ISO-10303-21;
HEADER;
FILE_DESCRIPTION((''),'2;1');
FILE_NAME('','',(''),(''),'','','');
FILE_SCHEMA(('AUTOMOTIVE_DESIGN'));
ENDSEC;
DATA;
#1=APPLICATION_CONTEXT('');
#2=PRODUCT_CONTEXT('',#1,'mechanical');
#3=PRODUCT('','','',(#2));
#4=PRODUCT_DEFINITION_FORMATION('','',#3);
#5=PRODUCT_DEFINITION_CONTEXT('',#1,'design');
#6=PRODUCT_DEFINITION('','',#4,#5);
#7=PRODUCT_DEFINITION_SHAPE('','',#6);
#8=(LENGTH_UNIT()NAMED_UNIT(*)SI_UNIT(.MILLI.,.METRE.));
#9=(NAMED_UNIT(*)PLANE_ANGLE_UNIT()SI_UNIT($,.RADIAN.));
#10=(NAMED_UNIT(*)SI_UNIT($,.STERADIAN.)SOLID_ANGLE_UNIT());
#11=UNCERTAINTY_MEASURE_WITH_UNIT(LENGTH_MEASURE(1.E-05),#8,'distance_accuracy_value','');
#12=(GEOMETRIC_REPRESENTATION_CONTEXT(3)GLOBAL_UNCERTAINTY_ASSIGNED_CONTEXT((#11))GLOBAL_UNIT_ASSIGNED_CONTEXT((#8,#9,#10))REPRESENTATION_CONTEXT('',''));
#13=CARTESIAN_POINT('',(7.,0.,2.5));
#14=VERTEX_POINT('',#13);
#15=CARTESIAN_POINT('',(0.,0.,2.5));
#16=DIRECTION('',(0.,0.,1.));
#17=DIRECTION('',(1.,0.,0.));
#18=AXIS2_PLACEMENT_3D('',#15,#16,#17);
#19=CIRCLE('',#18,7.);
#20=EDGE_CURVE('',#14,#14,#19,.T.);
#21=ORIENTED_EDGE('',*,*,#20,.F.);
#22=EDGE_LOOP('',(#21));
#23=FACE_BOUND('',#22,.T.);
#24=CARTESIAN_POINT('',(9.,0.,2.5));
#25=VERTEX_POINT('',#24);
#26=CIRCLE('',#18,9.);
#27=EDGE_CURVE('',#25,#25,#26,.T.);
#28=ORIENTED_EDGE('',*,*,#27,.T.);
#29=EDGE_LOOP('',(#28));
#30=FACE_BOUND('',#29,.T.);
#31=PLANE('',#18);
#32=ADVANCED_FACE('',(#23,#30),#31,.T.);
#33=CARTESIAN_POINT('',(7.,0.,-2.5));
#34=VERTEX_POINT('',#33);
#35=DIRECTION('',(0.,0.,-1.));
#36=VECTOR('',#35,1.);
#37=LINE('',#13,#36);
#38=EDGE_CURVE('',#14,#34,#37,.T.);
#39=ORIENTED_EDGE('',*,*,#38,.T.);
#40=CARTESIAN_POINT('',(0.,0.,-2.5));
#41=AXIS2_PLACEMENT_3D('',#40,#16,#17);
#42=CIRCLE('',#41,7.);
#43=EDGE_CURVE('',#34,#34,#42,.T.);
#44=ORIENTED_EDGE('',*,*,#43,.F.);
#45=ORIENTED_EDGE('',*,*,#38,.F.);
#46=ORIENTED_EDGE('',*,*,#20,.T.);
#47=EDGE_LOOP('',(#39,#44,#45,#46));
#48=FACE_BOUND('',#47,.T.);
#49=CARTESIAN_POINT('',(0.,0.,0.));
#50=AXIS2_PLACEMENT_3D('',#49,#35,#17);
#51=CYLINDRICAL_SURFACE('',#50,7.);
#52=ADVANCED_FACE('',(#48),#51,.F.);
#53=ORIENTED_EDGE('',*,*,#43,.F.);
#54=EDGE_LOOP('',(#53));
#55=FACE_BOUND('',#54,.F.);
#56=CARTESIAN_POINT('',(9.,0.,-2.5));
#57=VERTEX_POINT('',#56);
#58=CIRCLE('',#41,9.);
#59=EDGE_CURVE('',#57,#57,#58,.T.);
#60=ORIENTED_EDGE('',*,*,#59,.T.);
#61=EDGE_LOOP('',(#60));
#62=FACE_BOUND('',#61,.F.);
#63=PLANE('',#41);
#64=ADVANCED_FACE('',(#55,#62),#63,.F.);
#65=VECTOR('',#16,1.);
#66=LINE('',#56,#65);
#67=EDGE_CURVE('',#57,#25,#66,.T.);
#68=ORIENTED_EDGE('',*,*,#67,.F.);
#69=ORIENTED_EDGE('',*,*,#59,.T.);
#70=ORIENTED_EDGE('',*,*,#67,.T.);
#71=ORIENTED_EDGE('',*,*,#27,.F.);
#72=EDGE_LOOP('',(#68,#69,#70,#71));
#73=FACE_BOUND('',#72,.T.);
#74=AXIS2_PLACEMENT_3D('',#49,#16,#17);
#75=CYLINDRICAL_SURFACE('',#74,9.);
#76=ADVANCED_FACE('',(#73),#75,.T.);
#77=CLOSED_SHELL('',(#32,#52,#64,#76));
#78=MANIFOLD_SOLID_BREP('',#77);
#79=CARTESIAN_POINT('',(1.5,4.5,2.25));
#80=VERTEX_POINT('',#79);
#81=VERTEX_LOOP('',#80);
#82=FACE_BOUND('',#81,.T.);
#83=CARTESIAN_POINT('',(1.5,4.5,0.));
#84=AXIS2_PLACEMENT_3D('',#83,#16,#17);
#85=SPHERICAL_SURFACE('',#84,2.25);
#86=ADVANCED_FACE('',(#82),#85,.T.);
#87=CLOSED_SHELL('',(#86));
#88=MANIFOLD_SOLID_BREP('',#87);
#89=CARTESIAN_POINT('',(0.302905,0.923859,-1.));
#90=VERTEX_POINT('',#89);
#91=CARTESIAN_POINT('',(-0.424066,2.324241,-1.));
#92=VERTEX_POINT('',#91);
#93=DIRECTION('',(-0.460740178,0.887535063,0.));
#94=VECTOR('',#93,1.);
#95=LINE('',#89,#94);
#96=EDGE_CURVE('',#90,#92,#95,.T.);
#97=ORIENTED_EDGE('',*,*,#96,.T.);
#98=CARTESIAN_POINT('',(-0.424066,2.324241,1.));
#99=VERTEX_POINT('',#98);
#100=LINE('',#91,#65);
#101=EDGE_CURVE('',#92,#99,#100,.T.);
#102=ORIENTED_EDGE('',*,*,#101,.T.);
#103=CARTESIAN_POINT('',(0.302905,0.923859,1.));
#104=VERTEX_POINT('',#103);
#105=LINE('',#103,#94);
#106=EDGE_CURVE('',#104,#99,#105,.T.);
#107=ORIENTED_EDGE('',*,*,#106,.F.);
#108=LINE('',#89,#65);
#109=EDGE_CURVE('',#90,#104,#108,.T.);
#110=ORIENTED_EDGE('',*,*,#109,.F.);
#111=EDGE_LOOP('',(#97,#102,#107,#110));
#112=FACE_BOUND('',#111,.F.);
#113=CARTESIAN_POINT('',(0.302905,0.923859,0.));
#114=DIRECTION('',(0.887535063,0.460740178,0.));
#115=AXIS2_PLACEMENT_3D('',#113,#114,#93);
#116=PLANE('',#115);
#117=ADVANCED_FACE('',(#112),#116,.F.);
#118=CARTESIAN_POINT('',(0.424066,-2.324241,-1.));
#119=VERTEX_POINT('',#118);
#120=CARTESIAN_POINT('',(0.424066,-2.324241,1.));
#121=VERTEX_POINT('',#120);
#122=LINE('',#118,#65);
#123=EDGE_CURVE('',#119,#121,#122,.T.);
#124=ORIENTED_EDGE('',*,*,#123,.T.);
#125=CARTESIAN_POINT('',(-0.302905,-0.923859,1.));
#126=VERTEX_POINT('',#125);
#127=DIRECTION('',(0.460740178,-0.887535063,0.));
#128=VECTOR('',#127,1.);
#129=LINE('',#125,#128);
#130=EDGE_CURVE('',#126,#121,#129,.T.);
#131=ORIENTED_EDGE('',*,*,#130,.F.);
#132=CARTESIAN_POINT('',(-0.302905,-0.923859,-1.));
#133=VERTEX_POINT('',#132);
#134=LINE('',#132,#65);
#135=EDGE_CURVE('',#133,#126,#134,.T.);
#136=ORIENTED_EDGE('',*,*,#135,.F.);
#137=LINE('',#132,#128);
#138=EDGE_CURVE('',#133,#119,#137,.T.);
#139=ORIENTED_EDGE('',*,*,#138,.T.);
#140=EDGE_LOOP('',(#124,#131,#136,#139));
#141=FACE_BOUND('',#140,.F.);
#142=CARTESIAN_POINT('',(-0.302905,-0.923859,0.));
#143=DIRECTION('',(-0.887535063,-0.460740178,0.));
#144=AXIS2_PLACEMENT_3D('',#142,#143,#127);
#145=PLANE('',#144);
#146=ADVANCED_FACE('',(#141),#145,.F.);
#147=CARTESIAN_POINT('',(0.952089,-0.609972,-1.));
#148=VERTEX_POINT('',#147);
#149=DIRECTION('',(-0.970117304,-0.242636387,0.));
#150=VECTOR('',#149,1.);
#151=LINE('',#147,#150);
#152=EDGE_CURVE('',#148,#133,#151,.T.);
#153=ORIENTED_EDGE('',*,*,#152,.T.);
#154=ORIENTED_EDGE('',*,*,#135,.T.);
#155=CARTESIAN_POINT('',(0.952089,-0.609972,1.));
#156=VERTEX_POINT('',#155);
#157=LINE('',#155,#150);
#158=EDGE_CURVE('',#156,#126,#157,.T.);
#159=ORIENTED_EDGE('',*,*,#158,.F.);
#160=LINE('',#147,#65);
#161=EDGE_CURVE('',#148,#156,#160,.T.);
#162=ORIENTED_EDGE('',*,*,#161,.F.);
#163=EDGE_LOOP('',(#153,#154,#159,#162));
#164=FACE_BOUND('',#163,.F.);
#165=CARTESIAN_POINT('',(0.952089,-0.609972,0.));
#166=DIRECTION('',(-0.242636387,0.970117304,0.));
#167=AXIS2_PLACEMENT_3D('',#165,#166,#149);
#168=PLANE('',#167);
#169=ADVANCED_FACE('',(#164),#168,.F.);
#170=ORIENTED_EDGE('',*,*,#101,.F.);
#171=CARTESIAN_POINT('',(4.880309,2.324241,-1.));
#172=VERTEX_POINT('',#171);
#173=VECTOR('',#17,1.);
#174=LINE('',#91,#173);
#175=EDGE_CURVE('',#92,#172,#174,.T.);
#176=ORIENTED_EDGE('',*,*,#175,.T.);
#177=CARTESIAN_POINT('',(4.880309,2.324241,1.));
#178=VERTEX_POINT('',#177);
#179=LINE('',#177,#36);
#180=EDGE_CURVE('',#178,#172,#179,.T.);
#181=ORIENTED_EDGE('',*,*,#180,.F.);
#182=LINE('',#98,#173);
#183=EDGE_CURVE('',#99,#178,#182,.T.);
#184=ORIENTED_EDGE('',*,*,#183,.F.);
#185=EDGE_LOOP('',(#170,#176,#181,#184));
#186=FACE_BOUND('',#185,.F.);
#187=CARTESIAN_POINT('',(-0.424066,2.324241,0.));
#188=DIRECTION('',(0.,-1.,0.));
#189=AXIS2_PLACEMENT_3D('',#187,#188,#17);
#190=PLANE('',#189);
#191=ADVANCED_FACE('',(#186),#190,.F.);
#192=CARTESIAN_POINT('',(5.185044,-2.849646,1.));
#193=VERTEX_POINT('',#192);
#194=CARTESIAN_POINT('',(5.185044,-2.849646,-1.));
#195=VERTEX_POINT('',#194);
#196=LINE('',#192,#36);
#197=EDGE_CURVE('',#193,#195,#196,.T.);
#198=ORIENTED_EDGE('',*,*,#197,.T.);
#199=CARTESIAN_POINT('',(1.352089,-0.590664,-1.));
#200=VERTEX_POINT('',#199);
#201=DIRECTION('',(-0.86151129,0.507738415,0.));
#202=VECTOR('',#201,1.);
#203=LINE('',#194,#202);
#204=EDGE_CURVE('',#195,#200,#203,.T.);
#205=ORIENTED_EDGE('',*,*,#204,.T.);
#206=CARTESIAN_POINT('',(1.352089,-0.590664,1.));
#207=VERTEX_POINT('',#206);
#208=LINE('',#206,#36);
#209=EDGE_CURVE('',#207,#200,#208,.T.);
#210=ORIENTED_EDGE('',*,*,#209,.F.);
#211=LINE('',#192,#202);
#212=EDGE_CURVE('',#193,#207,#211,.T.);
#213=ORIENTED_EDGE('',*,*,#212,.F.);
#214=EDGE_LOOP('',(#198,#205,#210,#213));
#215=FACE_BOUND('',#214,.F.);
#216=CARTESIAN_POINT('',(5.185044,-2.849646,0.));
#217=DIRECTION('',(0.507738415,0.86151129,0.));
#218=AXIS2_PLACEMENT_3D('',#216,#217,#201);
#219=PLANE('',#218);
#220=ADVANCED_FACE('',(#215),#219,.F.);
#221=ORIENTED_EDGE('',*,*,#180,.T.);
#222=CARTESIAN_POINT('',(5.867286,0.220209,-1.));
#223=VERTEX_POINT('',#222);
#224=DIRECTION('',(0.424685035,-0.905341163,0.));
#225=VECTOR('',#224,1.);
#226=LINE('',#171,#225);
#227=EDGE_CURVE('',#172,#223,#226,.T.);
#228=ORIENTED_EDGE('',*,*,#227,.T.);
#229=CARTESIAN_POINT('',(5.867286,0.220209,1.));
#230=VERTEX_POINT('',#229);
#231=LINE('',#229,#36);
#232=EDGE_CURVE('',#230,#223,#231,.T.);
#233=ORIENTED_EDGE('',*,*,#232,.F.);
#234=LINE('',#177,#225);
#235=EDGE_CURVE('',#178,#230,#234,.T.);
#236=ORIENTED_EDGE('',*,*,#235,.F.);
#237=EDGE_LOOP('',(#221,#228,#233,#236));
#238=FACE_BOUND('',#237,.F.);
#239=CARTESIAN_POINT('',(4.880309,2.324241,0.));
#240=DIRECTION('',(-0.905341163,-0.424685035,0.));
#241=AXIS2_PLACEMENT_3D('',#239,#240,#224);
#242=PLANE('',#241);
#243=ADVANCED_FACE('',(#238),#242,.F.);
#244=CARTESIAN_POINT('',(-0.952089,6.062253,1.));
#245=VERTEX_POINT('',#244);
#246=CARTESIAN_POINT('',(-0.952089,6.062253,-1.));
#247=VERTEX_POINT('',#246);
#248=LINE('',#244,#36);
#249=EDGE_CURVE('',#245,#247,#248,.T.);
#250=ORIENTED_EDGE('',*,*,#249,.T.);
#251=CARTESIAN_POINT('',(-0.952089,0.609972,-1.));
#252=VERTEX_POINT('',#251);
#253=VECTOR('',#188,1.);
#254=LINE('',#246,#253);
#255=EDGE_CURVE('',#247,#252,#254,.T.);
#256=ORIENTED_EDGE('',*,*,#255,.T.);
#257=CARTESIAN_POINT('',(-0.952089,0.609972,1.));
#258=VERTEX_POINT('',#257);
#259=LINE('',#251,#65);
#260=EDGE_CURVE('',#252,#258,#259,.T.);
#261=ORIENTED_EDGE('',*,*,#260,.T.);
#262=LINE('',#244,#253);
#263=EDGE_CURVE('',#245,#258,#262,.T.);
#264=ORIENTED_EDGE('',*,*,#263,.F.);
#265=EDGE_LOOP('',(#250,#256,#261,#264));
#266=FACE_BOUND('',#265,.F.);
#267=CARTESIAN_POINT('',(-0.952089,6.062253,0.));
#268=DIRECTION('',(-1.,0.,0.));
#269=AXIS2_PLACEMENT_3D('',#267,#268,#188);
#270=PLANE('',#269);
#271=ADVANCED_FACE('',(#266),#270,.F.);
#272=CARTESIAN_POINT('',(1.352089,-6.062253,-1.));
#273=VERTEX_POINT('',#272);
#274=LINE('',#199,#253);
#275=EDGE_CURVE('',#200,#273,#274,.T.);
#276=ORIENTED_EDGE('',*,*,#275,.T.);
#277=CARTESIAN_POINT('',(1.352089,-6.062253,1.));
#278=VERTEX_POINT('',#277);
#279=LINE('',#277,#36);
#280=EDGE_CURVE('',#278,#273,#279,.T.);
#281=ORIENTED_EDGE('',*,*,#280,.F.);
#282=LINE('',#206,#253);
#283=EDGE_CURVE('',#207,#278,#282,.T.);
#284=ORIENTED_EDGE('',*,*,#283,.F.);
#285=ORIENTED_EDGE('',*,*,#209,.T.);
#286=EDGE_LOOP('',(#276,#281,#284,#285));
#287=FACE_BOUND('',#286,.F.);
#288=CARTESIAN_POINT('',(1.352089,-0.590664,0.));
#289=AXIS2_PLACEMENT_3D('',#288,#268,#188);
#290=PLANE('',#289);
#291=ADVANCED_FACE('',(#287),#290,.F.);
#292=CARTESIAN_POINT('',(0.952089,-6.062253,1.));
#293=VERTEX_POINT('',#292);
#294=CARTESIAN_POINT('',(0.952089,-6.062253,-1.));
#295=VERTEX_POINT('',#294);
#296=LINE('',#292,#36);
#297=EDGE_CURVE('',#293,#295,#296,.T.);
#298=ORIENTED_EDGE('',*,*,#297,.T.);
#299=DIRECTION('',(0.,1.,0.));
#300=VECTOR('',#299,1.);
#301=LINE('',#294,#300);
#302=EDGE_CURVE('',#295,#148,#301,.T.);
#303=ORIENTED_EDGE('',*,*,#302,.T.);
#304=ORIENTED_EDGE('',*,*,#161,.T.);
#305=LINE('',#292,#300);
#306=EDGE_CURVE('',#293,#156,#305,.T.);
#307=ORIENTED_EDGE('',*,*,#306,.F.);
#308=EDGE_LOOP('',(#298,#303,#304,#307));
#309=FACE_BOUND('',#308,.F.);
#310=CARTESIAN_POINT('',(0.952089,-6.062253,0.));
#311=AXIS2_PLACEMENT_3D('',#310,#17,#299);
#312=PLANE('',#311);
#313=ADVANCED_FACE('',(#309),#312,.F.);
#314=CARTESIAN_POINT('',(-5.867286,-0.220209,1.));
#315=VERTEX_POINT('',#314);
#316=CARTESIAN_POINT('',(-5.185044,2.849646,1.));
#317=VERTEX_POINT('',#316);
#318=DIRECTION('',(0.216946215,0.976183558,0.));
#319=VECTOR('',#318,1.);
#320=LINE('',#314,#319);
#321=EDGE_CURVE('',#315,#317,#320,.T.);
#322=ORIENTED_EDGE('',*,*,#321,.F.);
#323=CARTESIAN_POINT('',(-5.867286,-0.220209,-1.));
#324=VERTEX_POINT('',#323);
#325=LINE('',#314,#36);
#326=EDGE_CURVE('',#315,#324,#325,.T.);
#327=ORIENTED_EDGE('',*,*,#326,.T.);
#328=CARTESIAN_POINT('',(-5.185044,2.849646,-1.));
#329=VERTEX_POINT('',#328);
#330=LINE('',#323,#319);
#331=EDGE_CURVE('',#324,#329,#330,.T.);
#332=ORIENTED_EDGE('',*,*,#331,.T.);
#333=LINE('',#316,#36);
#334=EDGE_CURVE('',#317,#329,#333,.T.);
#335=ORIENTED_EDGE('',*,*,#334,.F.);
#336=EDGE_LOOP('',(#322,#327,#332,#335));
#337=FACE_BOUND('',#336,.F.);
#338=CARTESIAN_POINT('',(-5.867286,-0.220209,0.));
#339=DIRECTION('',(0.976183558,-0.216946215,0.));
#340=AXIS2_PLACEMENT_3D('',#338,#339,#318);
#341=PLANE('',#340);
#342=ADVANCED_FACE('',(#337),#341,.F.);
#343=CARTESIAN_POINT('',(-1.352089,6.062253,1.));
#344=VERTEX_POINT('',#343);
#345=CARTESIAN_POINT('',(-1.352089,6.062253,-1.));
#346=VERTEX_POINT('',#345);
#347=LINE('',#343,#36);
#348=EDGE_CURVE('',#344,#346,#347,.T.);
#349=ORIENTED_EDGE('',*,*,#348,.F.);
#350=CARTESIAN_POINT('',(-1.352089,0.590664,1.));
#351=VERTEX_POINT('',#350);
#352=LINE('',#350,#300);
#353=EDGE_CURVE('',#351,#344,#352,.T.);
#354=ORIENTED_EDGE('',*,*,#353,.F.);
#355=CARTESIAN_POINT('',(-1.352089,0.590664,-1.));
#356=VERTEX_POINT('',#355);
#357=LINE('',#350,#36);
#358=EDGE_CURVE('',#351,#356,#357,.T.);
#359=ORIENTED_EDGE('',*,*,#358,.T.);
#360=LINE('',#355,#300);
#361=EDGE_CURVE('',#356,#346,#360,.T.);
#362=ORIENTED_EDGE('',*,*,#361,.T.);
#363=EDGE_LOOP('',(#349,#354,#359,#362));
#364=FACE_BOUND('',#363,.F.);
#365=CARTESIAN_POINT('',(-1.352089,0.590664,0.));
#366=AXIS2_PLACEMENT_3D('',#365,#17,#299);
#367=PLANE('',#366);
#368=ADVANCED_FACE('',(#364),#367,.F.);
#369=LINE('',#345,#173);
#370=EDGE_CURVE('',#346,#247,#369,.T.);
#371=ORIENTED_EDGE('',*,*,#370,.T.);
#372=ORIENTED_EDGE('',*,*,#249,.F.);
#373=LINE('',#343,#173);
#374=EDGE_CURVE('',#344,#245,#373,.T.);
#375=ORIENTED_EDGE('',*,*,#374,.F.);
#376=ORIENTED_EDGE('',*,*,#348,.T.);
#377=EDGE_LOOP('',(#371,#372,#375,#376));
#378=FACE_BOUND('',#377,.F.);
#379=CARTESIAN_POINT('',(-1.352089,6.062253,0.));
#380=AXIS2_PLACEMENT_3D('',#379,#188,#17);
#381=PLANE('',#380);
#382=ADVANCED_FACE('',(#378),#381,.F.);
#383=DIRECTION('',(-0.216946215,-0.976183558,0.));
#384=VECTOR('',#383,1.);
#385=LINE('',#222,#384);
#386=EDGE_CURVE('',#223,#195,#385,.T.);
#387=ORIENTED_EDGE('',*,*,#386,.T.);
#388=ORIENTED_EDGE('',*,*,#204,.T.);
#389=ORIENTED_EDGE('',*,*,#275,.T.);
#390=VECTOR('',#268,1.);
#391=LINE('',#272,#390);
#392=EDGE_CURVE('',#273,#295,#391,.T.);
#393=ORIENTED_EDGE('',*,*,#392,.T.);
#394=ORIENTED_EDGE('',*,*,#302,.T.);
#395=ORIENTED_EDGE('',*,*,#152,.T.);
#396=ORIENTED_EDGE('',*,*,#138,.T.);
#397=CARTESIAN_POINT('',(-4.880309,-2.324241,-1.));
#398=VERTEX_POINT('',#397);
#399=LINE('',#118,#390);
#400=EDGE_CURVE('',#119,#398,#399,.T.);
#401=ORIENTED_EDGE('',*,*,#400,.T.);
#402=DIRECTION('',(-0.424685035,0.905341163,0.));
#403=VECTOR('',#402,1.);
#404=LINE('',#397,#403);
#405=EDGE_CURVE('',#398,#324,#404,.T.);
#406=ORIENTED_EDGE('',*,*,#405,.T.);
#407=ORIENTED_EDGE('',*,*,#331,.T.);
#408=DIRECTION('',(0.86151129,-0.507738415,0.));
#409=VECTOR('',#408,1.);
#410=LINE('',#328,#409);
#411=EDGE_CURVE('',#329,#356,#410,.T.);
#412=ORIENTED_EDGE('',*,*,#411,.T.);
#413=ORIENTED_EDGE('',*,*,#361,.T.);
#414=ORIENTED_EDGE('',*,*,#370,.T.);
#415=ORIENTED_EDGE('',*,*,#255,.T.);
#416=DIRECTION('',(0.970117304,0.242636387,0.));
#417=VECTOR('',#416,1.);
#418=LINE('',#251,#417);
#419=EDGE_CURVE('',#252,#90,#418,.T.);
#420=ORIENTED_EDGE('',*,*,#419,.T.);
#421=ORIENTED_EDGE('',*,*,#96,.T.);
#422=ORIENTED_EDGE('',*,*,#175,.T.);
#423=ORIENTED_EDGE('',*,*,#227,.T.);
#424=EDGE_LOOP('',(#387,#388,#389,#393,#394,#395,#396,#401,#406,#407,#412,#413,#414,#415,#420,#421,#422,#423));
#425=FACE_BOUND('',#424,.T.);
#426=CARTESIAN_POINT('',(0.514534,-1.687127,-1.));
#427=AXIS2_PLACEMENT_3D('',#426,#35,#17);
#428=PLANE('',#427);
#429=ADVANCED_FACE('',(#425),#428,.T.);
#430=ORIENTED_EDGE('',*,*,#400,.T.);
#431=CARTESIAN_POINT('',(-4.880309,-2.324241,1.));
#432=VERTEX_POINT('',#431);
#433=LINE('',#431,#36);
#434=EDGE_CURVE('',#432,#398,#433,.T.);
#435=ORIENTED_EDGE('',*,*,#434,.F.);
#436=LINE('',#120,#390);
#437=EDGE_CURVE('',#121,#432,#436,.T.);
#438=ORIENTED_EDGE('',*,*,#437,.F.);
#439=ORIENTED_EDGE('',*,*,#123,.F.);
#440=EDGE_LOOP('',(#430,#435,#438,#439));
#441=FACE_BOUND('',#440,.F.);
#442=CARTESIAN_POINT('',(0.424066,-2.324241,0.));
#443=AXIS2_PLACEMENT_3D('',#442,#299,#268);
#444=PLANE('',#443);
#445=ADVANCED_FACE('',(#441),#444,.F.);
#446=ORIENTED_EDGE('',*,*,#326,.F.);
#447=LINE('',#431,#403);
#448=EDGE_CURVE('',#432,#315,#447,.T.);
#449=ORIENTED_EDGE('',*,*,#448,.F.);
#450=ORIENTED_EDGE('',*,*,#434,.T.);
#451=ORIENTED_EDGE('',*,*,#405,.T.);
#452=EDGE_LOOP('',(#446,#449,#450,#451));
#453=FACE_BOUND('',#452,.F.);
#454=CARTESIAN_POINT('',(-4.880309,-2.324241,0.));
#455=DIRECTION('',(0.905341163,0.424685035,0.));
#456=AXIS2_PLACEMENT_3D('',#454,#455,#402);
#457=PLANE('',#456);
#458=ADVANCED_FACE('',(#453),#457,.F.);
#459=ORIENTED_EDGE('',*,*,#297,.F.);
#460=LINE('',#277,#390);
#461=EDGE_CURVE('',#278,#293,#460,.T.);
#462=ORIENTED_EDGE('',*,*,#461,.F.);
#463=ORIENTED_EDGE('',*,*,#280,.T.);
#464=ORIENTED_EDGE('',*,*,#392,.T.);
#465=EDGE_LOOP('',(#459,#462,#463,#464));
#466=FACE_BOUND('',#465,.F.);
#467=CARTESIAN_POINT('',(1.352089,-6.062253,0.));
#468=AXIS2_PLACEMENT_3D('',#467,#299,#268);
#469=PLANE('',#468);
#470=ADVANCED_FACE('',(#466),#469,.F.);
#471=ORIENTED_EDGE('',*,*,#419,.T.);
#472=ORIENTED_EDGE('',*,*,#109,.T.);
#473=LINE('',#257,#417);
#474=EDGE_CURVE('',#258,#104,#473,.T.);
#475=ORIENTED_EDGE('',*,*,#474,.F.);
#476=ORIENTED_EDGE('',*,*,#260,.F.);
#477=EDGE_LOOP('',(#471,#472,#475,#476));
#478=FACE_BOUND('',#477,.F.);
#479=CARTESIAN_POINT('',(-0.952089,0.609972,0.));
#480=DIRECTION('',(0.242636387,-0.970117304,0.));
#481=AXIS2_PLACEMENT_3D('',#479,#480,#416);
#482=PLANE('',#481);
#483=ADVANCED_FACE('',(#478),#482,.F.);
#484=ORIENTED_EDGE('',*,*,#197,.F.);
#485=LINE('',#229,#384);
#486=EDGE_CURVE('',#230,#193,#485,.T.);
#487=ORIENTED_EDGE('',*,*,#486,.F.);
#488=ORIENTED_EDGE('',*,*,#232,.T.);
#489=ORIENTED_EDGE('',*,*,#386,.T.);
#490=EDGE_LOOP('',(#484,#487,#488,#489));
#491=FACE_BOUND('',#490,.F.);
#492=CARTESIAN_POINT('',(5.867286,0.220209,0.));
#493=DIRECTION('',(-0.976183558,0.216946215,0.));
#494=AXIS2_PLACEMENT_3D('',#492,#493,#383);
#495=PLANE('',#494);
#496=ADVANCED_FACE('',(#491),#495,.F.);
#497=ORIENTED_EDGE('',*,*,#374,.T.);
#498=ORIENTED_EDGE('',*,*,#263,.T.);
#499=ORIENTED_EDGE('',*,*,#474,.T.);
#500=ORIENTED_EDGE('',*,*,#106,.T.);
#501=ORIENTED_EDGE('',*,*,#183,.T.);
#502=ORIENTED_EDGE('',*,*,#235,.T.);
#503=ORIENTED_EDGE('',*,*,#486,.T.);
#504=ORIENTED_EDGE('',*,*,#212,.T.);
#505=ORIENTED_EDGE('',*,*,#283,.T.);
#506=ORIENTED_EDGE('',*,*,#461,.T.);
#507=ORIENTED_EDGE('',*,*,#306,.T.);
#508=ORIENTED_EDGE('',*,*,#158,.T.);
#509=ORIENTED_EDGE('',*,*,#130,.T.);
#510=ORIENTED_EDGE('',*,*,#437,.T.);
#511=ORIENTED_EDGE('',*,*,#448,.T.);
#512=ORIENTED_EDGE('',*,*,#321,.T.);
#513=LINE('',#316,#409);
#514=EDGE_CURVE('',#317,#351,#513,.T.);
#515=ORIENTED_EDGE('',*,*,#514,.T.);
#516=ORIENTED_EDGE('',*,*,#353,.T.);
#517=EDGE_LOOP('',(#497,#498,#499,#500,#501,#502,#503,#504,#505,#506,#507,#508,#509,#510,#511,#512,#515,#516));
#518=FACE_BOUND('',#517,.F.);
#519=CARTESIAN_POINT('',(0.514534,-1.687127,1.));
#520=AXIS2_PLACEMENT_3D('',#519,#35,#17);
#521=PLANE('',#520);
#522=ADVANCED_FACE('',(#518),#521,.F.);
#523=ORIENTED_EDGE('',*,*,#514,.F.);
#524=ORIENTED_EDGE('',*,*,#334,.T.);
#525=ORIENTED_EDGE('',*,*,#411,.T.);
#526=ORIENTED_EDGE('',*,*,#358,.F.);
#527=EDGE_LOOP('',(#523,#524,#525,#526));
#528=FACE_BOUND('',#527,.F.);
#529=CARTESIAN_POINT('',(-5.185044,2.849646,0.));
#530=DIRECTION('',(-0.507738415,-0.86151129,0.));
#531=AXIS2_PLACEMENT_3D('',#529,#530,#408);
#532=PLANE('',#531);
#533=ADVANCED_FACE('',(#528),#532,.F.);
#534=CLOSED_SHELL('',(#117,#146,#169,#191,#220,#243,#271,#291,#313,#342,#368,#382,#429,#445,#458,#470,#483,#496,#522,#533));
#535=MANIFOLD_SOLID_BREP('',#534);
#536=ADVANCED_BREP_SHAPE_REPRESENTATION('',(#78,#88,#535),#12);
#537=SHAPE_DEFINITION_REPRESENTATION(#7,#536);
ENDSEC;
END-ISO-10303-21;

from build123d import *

# Parameters (mm, degrees)
SKETCH003_R        = 9
SKETCH003_R_2      = 7
PAD001_DEPTH       = 2.5
PAD_DEPTH          = 1
POLARPATTERN_COUNT = 2


with BuildPart() as pad001:
    # Sketch003 → Pad001 (new body, symmetric)
    with BuildSketch(Plane.XY):
        Circle(SKETCH003_R)
        Circle(SKETCH003_R_2, mode=Mode.SUBTRACT)
    extrude(amount=PAD001_DEPTH, both=True)


with BuildPart() as polarpattern:
    # Sketch002 → Pad (new body, symmetric)
    with BuildSketch(Plane.XY):
        Polygon((-0.424066, 2.324241), (4.880309, 2.324241), (5.867286, 0.220209), (0, 0), (-5.867286, -0.220209), (-5.185044, 2.849646), (-1.352089, 0.590664), (-1.352089, 6.062253), (-0.952089, 6.062253), (-0.952089, 0.609972), (0.302905, 0.923859), align=None)
    pad = extrude(amount=PAD_DEPTH, both=True)

    # PolarPattern: Pad ×2 about axis
    polarpattern_axis = Axis((0, 0, 0), (0, 0, 1))
    for i in range(1, POLARPATTERN_COUNT):
        add(pad.rotate(polarpattern_axis, i * 360 / POLARPATTERN_COUNT))


with BuildPart() as sphere:
    # Sphere → Sphere (revolve)
    with BuildSketch(Plane(origin=(1.5, 4.5, 0), x_dir=(1, 0, 0), z_dir=(0, -1, 0))):
        with BuildLine():
            ThreePointArc((0, -2.25), (2.25, 0), (0, 2.25))
            Line((0, 2.25), (0, -2.25))
        make_face()
    revolve(axis=Axis((1.5, 4.5, 0), (0, 0, 1)))


solid = Compound([pad001.part, polarpattern.part, sphere.part])
